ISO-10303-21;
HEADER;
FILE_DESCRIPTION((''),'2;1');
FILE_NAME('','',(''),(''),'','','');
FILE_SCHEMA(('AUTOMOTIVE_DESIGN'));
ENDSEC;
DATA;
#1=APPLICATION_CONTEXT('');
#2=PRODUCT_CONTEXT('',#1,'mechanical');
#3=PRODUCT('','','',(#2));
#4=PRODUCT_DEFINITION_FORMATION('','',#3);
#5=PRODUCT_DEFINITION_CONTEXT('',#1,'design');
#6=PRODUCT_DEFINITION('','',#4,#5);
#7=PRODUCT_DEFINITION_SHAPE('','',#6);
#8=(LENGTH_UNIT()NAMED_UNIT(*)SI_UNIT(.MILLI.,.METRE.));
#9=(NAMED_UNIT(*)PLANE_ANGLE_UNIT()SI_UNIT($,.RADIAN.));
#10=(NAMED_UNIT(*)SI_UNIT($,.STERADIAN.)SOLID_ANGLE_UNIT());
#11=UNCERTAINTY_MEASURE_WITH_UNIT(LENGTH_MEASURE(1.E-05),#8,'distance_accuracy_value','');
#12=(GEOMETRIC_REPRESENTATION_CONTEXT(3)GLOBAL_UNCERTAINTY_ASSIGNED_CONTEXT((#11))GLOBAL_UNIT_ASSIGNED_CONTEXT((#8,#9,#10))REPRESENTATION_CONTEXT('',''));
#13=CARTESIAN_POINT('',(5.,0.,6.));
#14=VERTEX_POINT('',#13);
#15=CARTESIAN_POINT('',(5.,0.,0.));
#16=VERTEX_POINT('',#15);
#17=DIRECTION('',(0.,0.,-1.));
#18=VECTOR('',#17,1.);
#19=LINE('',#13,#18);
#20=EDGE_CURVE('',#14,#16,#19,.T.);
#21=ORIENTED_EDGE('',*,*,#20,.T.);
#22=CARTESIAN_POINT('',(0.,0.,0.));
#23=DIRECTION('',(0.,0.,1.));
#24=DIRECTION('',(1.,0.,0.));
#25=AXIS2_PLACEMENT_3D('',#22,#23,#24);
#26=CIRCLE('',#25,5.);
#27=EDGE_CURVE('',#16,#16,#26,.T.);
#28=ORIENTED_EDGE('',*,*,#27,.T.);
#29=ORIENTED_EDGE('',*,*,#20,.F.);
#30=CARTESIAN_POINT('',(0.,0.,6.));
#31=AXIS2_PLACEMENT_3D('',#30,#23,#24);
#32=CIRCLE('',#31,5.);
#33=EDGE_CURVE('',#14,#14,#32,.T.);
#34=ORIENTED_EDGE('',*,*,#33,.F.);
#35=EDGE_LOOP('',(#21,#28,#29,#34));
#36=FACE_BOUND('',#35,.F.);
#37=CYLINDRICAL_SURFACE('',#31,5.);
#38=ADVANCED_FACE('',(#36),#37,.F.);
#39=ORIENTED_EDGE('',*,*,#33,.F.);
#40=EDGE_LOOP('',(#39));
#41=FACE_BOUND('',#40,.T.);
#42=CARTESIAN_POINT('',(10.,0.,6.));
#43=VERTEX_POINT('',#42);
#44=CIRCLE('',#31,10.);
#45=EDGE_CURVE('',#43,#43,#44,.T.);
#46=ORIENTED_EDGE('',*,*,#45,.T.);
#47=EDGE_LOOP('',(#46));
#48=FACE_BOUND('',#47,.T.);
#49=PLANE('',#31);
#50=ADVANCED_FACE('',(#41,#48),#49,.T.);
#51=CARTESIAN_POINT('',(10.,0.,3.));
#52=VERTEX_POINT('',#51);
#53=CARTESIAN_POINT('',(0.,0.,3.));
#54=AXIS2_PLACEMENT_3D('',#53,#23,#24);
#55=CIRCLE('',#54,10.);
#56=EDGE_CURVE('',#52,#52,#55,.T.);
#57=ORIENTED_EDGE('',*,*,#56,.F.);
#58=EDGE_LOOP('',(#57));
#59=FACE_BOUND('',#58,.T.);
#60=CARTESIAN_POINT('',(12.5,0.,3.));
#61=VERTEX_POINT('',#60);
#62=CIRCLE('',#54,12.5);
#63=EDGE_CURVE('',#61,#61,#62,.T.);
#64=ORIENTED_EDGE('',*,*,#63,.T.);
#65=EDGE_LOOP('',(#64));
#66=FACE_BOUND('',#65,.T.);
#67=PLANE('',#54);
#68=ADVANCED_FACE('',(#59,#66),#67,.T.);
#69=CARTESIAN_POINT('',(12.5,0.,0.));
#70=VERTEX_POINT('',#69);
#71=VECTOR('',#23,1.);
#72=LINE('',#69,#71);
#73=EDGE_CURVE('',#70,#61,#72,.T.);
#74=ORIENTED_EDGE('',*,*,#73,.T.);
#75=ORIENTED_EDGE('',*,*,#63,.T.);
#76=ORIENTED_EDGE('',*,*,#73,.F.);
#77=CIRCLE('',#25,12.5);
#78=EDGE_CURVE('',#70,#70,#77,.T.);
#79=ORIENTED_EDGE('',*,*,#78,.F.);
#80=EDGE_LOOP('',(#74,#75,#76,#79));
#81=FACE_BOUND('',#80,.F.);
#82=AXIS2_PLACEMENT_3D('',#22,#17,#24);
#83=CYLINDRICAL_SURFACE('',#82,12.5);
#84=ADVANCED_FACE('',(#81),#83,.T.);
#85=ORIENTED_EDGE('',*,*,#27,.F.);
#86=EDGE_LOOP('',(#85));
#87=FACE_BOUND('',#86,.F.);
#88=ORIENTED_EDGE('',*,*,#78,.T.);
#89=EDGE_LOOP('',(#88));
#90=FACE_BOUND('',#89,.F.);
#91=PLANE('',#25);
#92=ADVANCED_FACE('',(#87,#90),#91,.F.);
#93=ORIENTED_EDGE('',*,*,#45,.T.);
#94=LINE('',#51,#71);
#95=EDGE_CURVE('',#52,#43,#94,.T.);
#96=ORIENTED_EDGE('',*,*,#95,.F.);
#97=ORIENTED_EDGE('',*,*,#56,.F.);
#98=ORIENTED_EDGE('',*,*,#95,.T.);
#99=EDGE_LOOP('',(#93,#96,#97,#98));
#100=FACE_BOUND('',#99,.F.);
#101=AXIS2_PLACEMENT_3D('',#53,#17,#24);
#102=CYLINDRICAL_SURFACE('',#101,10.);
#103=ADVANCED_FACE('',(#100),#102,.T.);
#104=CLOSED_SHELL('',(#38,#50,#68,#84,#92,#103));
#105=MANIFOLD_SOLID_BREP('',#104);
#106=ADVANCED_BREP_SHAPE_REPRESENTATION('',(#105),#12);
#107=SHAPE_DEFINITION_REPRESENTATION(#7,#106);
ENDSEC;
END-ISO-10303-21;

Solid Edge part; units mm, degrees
sketch "Sketch1" plane through (0, 0, 0) normal (0, 0, 1) x (1, 0, 0)
  circle A0 centre (0, 0) radius 12.5
  dimension "D1" = 25
extrude "Protrusion1" add sketch "Sketch1" along normal blind 3
sketch "Sketch2" plane through (0, 0, 3) normal (0, 0, 1) x (1, 0, 0)
  circle A0 centre (0, 0) radius 10
  dimension "D1" = 20
extrude "ProtrusioneEstrusa_2" add sketch "Sketch2" along normal blind 3
sketch "Sketch3" plane through (0, 0, 6) normal (0, 0, 1) x (1, 0, 0)
  circle A0 centre (0, 0) radius 5
  dimension "D1" = 10
extrude "Cutout1" cut sketch "Sketch3" against normal through all
